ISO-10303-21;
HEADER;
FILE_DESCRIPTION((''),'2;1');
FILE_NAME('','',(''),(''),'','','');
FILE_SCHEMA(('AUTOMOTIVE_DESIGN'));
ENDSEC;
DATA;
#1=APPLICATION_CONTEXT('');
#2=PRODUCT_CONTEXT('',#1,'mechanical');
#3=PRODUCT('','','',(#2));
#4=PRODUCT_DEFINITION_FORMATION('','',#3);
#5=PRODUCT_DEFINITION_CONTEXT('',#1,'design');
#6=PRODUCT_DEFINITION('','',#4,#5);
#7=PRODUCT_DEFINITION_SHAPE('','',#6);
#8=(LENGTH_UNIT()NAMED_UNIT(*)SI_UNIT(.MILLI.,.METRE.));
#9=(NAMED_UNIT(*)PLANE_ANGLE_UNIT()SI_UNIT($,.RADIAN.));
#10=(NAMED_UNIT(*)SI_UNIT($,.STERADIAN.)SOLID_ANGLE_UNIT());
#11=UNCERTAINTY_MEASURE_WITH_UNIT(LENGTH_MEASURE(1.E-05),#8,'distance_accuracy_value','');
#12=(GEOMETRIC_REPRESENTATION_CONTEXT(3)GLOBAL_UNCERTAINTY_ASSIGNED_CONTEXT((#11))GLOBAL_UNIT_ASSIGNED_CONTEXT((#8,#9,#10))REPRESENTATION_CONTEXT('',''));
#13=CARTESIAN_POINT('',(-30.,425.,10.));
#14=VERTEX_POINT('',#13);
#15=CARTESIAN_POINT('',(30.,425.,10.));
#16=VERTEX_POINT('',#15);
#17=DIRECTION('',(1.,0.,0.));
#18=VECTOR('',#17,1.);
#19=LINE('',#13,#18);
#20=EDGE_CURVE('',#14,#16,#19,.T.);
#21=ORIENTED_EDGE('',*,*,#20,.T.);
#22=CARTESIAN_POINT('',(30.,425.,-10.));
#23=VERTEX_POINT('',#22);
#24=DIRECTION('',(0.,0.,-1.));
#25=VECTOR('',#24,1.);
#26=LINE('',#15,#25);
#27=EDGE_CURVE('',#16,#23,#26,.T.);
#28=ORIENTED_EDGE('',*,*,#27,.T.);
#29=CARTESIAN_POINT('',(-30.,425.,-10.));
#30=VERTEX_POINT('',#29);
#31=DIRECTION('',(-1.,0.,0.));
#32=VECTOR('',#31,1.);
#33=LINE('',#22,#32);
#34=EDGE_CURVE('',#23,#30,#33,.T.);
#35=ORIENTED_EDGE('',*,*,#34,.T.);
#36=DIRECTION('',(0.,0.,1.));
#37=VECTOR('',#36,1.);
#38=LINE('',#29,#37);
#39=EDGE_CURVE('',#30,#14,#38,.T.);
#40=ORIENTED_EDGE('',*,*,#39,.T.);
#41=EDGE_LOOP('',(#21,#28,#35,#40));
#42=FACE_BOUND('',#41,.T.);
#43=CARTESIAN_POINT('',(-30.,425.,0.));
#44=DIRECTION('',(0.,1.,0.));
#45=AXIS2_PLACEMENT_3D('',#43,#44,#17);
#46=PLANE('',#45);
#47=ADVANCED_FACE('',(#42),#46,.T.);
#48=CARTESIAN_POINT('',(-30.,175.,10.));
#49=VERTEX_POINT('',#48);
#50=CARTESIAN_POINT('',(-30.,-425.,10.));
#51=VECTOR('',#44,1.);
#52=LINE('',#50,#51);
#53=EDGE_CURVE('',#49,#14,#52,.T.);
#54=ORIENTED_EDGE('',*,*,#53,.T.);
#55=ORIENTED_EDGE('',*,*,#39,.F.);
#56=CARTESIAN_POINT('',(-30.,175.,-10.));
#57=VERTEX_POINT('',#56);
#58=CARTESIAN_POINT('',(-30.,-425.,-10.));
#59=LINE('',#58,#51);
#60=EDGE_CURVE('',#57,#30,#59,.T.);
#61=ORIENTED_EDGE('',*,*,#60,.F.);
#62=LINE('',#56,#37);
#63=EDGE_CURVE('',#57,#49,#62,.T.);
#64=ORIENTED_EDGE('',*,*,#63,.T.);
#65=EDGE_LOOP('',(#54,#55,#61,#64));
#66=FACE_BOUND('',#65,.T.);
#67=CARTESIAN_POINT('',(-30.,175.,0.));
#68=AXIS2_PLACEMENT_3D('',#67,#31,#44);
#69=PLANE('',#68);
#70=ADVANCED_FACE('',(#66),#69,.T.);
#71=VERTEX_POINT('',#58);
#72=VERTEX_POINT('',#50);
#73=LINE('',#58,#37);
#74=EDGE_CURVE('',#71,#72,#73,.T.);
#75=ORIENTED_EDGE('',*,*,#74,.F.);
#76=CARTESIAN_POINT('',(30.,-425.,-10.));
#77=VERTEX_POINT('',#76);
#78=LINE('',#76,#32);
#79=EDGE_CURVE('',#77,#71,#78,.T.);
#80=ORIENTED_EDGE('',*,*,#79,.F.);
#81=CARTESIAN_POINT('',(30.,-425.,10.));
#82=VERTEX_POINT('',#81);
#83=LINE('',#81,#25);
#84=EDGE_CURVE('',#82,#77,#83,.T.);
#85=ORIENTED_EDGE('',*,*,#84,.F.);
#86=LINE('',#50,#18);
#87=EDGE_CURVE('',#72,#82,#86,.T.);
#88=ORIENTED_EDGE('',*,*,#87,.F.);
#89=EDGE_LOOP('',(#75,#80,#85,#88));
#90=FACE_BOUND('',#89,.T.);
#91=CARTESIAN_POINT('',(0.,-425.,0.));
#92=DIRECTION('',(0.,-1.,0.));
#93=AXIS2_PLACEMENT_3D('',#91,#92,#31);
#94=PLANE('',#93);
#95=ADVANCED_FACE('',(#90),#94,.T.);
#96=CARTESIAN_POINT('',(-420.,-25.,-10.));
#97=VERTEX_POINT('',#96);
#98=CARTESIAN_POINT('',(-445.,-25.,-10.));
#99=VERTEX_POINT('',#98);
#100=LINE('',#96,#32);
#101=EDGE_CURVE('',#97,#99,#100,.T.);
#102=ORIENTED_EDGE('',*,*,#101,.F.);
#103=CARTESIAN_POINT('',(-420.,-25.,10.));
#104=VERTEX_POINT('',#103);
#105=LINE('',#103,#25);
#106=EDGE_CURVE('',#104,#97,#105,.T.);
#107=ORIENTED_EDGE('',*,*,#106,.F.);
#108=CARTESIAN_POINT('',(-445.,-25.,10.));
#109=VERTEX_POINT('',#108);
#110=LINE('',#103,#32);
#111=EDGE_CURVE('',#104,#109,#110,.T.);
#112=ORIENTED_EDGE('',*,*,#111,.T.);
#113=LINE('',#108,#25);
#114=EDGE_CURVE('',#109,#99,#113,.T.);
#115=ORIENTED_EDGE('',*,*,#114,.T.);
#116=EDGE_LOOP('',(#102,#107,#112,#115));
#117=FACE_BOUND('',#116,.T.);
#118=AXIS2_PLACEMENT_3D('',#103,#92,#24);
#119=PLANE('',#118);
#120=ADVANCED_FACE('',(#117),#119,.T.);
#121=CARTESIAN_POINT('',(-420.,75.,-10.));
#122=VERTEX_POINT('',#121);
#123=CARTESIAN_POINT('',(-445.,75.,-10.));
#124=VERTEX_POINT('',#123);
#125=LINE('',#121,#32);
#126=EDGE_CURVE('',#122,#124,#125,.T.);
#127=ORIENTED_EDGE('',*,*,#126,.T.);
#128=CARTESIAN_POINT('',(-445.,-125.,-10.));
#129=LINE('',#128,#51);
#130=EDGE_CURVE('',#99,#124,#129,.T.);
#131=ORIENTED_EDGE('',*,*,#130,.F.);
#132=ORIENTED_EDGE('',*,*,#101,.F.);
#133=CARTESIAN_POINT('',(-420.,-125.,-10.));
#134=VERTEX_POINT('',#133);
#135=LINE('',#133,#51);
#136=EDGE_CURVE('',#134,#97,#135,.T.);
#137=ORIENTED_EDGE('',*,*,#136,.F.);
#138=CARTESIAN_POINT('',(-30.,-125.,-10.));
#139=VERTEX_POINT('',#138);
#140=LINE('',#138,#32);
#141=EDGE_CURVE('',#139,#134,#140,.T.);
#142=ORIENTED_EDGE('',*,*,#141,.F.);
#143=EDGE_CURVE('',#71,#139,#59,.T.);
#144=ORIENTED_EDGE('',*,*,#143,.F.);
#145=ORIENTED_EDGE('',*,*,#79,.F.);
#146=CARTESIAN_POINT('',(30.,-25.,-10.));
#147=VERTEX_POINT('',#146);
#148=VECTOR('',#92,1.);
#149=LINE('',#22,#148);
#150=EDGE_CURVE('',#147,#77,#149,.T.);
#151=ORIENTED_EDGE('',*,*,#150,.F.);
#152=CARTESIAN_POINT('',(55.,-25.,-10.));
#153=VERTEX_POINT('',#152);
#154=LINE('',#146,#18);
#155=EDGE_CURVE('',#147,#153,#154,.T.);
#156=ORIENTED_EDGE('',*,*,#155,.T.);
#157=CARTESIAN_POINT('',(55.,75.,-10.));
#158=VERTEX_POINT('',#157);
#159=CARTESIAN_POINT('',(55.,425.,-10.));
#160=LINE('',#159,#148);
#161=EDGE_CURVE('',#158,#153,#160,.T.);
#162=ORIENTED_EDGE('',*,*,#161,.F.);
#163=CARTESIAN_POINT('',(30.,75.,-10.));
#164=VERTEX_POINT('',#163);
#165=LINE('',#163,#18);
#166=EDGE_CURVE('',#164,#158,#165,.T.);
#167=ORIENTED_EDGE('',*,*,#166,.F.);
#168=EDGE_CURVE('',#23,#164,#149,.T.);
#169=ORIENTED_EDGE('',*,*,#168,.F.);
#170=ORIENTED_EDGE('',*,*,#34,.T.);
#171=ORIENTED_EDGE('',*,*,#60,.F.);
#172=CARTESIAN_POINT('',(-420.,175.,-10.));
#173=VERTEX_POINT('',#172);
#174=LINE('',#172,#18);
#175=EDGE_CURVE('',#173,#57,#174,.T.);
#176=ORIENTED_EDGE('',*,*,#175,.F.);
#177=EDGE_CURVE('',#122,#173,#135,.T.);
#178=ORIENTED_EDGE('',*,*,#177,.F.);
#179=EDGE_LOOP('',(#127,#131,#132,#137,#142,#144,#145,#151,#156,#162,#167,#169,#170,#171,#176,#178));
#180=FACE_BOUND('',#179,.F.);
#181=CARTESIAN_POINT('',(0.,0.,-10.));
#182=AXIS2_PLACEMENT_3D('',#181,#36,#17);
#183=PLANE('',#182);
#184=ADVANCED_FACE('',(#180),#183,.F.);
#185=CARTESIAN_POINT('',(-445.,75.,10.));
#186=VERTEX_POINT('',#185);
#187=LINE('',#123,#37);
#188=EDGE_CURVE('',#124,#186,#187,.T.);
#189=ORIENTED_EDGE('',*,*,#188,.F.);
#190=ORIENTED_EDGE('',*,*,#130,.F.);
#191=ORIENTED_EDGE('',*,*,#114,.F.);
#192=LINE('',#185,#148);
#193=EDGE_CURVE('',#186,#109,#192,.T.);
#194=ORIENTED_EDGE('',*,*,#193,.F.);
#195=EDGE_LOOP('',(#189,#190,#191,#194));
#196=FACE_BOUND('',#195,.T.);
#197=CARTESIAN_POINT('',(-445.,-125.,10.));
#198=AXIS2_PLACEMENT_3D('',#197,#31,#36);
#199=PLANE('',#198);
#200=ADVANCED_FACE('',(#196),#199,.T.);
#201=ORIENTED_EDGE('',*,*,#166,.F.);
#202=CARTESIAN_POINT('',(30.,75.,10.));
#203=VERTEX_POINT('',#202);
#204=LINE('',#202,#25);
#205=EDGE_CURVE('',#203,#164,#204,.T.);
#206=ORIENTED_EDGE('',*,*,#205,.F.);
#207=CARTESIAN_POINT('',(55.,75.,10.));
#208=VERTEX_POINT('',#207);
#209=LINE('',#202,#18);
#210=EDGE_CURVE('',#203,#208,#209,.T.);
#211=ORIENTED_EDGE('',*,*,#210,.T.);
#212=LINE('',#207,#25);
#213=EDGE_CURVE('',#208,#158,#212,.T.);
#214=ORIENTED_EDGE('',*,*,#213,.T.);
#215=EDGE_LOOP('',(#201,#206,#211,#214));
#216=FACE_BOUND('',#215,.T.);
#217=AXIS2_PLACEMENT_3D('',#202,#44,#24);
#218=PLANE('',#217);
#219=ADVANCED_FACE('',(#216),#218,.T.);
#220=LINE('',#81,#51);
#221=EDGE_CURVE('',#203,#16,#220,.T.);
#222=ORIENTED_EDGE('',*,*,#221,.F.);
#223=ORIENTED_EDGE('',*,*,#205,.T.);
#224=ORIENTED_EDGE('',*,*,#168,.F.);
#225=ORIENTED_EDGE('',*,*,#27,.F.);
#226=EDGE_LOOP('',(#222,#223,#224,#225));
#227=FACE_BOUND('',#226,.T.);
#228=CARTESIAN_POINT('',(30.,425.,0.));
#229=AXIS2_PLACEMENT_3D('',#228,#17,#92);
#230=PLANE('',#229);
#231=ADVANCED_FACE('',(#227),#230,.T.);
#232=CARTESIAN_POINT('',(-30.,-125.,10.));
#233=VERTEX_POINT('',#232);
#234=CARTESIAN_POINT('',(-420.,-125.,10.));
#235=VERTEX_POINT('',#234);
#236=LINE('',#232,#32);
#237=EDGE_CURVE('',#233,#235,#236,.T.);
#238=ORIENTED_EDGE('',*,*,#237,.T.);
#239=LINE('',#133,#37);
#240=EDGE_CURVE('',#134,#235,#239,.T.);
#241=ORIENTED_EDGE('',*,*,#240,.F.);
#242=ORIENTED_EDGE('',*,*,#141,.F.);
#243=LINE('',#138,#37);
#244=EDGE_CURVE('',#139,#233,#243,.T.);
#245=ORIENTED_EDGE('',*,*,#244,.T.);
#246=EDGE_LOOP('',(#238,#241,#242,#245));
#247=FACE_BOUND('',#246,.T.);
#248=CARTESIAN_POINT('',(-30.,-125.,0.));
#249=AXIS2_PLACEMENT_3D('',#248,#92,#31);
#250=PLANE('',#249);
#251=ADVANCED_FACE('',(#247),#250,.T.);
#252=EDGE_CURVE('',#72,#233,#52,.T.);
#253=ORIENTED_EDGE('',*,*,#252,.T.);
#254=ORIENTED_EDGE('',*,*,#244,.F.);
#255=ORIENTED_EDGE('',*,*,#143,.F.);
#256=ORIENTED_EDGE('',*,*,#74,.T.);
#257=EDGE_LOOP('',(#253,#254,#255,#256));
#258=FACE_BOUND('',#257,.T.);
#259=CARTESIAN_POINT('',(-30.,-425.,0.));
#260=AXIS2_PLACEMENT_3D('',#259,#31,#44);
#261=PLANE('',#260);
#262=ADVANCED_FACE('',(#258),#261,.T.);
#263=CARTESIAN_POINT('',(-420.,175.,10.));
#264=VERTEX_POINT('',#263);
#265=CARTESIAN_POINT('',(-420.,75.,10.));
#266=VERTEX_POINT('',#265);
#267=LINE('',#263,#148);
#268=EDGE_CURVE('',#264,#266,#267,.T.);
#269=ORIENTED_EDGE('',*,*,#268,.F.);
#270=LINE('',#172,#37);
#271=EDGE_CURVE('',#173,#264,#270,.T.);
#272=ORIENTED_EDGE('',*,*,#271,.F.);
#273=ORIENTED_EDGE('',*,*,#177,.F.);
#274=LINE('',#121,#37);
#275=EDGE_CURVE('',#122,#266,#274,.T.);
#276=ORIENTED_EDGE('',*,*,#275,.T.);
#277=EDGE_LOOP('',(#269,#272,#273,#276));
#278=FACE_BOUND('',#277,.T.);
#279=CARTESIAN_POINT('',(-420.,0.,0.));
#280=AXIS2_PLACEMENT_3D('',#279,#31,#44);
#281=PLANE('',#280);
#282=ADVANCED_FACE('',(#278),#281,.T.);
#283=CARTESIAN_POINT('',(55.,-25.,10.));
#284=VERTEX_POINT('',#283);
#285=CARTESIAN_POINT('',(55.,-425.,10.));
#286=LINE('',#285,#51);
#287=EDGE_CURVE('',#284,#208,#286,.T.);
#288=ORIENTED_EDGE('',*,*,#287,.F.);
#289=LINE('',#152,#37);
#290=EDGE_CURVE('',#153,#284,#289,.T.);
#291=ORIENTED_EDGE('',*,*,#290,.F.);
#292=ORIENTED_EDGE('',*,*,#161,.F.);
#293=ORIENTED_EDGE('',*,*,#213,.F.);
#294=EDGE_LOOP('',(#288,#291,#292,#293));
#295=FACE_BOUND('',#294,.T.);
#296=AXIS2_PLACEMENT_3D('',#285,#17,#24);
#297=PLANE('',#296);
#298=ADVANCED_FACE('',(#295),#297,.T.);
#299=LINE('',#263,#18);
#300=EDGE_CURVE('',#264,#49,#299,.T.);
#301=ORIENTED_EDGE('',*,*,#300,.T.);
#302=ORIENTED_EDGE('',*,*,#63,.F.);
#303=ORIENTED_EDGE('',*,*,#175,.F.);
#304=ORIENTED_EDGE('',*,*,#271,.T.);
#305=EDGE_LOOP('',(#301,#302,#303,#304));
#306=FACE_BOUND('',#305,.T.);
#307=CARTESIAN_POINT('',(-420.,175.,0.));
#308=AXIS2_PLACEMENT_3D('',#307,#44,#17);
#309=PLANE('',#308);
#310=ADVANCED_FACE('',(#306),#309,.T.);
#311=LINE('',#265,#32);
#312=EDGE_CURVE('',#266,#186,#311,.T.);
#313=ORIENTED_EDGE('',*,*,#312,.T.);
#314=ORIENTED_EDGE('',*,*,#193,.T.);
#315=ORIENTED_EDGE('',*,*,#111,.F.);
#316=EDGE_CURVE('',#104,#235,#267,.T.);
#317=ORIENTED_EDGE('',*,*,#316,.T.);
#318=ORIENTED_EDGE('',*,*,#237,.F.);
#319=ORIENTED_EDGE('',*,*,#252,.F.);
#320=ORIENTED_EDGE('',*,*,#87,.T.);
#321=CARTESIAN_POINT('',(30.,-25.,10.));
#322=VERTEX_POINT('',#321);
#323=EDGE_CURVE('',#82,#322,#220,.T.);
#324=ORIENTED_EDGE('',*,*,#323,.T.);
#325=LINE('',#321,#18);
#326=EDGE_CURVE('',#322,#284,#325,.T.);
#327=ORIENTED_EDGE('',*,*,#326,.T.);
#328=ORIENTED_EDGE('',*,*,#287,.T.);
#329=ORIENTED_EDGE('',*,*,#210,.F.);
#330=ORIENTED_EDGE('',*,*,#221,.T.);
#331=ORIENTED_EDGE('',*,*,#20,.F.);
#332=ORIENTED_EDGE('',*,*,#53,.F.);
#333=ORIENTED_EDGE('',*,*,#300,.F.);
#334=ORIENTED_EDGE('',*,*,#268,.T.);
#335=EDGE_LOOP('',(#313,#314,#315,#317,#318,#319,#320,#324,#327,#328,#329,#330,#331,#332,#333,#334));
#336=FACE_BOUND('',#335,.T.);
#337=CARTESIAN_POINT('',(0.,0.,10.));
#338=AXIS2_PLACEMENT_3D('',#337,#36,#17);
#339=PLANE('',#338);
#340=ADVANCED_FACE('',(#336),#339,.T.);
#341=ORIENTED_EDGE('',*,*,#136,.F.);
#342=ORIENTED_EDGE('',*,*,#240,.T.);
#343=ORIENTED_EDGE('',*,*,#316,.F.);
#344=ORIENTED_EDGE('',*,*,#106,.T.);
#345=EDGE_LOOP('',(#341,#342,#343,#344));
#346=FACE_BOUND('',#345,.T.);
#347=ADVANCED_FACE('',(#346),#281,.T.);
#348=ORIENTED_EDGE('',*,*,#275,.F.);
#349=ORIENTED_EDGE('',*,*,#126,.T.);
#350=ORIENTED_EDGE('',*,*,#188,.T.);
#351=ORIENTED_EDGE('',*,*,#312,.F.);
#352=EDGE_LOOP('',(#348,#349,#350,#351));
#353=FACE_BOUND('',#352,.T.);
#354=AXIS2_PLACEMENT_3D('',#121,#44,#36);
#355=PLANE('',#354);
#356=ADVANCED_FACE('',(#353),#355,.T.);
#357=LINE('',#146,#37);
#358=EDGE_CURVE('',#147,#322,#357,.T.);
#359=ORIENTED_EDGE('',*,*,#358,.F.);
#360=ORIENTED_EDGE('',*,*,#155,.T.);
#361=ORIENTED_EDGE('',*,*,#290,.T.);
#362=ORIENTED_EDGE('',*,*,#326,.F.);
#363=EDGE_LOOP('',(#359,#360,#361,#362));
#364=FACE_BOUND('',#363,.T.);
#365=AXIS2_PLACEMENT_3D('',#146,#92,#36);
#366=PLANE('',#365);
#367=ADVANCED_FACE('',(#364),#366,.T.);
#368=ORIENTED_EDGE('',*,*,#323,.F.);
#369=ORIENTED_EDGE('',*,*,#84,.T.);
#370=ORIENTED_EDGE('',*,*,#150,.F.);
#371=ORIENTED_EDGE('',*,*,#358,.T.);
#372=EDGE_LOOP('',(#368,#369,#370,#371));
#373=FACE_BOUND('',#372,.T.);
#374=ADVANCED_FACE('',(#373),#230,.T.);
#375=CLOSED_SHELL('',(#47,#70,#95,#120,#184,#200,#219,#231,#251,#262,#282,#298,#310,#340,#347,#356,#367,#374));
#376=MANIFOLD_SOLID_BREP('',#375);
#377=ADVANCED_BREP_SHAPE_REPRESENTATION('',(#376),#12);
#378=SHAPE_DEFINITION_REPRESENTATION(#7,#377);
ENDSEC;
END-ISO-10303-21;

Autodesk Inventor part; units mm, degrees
ref_plane "YZ Plane" through (0, 0, 0) normal (1, 0, 0) x (0, 1, 0)
ref_plane "XZ Plane" through (0, 0, 0) normal (0, 1, 0) x (-1, 0, 0)
ref_plane "XY Plane" through (0, 0, 0) normal (0, 0, 1) x (1, 0, 0)
sketch "草图1" plane through (0, 0, 0) normal (0, 0, 1) x (1, 0, 0)
  line L0 (-30, 425) -> (30, 425)
  line L1 (30, 425) -> (30, -425)
  line L2 (30, -425) -> (-30, -425)
  line L3 (-30, -425) -> (-30, 425)
  line L4 (-510, 0) -> (120, 0) projected
  line L5 (0, -595) -> (0, 595) projected
  line L6 (-420, 175) -> (-30, 175)
  line L7 (-30, 175) -> (-30, -125)
  line L8 (-30, -125) -> (-420, -125)
  line L9 (-420, -125) -> (-420, 175)
  point P0 (0, 0)
  point P1 (-30, 175)
  dimension "d0" = 60
  dimension "d1" = 850
  dimension "d2" = 390
  dimension "d3" = 250
  dimension "d4" = 300
extrude "拉伸1" add sketch "草图1" along normal mid plane 20
sketch "草图2" plane through (30, -425, 10) normal (1, 0, 0) x (0, 0, -1)
  line L0 (0, 0) -> (0, 850) projected
  line L1 (20, 850) -> (20, 0) projected
  line L2 (0, 500) -> (20, 500)
  line L3 (20, 500) -> (20, 400)
  line L4 (20, 400) -> (0, 400)
  line L5 (0, 400) -> (0, 500)
  line L6 (20, 850) -> (0, 850) projected
  point P0 (10, 425)
  point P1 (0, 400)
  dimension "d7" = 350
  dimension "d8" = 100
extrude "拉伸2" add sketch "草图2" along normal blind 25 contours L0 L2 L1 L4
sketch "草图3" plane through (-420, -125, 10) normal (-1, 0, 0) x (0, 0, 1)
  line L0 (-20, 0) -> (-20, 300) projected
  line L1 (0, 200) -> (0, 100) projected
  line L2 (-20, 200) -> (0, 200)
  line L3 (0, 200) -> (0, 100)
  line L4 (0, 100) -> (-20, 100)
  line L5 (-20, 100) -> (-20, 200)
  line L6 (-20, 550) -> (0, 550) projected
  point P0 (-10, 125)
  point P1 (-20, 100)
  point P2 (0, 200)
  dimension "d11" = 350
  dimension "d12" = 100
extrude "拉伸3" add sketch "草图3" along normal blind 25
properties part number "外壳挡板"
